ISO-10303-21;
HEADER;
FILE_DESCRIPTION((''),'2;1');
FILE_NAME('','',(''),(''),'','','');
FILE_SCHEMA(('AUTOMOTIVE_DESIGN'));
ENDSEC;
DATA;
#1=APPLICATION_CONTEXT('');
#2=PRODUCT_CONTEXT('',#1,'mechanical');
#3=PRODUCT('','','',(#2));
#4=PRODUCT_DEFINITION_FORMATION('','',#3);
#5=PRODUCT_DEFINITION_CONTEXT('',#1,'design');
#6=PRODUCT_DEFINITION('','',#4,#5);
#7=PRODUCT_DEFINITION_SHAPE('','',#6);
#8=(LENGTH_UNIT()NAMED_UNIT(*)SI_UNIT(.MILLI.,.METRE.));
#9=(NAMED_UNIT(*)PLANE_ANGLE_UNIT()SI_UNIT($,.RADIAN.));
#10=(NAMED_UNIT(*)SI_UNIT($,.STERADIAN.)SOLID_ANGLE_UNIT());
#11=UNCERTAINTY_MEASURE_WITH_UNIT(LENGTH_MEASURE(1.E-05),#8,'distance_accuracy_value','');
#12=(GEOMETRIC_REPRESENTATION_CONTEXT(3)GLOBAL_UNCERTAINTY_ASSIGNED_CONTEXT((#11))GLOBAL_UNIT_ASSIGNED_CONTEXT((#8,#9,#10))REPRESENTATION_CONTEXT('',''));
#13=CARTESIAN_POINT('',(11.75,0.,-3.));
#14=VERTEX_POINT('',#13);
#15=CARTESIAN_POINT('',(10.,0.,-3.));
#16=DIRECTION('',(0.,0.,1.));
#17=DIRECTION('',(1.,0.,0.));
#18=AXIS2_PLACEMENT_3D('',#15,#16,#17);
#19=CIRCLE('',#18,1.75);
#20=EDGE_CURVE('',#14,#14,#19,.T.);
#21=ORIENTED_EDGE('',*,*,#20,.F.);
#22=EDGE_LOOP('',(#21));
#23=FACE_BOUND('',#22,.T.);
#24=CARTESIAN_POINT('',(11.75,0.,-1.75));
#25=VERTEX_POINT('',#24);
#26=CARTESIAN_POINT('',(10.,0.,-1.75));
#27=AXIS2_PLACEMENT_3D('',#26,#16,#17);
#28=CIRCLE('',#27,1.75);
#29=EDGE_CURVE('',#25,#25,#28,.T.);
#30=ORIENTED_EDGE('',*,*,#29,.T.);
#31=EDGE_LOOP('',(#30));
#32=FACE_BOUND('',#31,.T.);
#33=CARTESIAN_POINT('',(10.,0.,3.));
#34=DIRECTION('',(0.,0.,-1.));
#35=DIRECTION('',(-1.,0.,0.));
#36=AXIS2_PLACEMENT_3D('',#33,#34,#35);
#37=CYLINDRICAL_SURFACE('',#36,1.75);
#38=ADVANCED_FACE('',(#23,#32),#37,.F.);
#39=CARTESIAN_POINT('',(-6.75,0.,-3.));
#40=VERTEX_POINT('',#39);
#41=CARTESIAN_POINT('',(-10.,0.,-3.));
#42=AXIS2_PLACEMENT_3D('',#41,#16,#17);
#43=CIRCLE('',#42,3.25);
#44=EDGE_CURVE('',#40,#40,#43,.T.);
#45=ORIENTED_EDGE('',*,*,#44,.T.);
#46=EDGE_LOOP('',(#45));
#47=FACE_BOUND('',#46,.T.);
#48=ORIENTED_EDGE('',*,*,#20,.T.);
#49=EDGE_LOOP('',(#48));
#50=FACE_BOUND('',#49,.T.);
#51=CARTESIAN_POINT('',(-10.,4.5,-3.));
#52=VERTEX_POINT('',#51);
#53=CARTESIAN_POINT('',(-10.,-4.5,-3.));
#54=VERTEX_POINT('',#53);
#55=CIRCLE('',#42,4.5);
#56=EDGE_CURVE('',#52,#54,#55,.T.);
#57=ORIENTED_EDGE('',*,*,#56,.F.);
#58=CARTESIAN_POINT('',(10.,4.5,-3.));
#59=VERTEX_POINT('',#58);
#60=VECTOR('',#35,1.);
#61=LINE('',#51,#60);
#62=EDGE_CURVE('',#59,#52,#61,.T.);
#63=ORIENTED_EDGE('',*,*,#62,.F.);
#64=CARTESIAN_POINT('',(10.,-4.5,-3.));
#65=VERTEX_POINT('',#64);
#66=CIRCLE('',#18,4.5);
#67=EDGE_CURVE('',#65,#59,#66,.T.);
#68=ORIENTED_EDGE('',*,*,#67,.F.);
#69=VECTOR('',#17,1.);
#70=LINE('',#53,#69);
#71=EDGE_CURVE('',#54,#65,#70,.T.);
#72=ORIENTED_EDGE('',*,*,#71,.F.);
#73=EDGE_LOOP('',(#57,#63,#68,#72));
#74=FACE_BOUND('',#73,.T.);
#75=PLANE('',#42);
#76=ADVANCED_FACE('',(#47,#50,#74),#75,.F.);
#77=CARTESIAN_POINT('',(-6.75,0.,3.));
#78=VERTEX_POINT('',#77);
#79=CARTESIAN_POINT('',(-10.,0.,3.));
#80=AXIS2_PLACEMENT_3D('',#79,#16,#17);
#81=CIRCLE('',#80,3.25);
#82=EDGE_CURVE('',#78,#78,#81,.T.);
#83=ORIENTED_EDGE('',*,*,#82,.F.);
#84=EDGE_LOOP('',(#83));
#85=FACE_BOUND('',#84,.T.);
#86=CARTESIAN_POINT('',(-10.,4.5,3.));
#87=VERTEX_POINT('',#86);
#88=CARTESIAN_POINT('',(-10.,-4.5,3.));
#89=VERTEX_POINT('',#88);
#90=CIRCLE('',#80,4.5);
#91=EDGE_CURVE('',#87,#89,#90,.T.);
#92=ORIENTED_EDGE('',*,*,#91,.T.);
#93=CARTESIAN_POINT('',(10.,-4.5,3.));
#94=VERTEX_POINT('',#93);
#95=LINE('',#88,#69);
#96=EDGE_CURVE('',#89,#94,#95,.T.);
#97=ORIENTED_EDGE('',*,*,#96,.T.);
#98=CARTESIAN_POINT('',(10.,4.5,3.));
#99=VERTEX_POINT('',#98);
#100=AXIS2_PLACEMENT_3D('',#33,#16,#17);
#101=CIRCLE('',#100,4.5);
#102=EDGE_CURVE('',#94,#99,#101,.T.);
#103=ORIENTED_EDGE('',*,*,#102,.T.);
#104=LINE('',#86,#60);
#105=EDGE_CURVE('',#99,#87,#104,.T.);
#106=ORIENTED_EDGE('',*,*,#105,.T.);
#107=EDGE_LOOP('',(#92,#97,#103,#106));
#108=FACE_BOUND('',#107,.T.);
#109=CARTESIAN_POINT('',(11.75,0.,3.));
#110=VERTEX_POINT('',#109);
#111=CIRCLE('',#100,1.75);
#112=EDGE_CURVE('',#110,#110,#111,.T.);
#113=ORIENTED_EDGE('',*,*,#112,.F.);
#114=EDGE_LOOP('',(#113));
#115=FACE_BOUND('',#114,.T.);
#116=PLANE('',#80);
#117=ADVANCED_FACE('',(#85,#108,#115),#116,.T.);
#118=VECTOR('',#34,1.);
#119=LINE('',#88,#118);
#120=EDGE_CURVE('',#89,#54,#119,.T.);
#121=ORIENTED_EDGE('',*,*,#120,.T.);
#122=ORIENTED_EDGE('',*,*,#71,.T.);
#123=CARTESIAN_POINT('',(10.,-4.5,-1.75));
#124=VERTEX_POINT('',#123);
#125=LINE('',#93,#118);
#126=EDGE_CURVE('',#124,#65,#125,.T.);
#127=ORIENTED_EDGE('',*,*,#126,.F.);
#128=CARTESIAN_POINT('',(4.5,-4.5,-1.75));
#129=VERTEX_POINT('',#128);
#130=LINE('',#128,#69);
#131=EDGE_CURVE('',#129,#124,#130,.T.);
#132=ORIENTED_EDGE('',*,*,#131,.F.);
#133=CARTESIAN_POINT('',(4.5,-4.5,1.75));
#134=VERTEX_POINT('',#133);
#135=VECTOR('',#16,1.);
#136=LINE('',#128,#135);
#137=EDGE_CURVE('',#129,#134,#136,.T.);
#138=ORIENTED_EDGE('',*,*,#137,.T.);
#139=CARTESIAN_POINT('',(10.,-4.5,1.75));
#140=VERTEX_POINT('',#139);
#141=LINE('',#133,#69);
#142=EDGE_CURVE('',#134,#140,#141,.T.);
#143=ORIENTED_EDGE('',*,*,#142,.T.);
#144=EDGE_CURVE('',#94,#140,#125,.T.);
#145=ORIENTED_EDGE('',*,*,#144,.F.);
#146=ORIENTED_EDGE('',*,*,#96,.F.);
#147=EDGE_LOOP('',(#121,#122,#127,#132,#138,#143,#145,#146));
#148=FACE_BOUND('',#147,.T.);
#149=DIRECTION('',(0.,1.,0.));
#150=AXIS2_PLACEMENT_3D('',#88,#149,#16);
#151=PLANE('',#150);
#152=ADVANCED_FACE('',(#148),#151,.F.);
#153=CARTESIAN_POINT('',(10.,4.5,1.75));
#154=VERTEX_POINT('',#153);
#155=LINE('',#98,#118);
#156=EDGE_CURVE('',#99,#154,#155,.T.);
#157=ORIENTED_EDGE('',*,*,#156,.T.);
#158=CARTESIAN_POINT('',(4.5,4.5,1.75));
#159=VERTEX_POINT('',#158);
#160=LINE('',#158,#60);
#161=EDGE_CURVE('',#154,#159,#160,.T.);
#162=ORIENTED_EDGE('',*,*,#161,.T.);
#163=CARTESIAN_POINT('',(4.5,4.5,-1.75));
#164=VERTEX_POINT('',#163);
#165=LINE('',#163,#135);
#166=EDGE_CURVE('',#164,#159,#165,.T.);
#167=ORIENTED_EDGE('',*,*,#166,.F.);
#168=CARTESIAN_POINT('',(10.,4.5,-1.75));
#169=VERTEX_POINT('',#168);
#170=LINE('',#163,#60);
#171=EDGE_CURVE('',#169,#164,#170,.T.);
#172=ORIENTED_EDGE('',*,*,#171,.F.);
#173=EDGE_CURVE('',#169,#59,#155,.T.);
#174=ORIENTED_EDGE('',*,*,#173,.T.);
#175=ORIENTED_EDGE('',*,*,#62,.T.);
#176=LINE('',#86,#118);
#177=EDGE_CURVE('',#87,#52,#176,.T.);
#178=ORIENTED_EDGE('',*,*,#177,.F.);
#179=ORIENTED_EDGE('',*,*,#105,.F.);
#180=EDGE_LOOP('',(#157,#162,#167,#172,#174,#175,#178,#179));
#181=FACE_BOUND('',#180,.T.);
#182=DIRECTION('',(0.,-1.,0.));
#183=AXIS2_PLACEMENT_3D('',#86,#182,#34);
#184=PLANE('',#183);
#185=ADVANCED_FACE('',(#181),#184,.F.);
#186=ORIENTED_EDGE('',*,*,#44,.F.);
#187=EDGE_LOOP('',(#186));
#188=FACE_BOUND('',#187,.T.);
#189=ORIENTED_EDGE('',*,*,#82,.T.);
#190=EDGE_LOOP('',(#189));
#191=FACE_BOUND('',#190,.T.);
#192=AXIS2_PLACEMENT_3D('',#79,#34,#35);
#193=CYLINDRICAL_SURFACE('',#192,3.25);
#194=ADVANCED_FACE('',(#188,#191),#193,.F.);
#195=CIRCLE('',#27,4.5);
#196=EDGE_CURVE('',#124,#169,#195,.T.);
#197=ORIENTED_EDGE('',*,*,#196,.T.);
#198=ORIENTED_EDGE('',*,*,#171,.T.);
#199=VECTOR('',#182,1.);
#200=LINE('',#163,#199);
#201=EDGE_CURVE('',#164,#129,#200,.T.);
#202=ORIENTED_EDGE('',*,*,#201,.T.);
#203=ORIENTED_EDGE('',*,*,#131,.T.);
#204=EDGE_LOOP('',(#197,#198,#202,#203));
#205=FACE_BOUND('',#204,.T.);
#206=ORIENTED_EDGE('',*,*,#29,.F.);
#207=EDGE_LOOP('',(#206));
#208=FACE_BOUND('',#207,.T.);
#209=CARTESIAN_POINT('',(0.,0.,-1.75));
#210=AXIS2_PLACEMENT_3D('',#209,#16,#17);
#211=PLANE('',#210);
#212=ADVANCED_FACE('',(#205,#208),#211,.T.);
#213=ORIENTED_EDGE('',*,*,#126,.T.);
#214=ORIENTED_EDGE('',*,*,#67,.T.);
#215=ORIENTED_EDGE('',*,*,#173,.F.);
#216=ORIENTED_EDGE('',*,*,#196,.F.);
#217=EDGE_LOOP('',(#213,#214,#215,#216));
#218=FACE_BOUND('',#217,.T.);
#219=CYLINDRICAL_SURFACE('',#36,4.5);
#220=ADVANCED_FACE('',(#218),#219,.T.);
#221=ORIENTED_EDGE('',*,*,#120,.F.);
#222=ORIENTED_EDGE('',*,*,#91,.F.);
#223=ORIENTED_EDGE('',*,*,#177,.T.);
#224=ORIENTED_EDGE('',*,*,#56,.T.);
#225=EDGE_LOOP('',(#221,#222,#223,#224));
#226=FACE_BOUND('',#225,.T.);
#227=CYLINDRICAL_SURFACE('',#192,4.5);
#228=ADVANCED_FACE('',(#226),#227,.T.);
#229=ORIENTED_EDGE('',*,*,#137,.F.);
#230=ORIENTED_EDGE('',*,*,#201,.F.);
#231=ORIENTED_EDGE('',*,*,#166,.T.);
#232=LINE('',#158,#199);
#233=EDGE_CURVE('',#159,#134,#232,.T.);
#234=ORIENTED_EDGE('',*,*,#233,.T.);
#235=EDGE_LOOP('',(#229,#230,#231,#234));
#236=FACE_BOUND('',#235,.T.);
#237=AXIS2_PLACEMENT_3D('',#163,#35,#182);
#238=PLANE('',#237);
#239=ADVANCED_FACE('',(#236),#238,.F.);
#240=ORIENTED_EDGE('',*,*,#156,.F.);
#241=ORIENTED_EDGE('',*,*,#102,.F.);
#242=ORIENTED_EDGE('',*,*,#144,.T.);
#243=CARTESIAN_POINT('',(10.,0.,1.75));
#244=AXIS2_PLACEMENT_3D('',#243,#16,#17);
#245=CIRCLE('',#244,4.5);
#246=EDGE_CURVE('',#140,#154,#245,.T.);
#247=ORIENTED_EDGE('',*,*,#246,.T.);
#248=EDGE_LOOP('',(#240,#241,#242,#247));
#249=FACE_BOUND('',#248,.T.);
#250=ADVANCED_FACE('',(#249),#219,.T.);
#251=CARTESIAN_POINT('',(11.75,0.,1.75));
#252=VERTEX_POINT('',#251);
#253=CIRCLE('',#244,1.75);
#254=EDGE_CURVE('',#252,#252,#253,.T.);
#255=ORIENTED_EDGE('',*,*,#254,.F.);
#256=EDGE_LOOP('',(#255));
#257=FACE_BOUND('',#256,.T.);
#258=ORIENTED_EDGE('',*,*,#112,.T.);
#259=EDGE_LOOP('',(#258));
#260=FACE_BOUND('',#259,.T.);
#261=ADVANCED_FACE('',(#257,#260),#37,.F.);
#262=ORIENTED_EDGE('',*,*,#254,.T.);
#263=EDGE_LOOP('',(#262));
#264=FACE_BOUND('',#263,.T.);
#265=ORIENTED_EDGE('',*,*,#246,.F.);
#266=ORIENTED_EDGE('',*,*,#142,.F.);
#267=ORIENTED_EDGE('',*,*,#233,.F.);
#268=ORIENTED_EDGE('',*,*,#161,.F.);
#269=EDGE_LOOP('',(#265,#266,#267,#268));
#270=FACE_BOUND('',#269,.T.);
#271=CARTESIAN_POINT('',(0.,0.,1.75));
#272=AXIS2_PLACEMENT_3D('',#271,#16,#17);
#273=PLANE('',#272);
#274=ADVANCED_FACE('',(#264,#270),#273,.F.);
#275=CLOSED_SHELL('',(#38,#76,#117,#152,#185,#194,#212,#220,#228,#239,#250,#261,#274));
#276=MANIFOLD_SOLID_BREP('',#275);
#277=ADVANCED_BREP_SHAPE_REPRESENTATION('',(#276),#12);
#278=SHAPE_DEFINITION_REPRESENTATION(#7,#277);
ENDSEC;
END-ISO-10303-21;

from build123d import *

# Parameters (mm, degrees)
SKETCH1_R           = 3.25
SKETCH1_R_2         = 1.75
BOSS_EXTRUDE1_DEPTH = 3
SKETCH5_W           = 10
SKETCH5_H           = 9
CUT_EXTRUDE1_DEPTH  = 1.75


with BuildPart() as part:
    # Sketch1 → Boss-Extrude1 (new, symmetric)
    with BuildSketch(Plane.XY):
        with BuildLine():
            Line((-10, 4.5), (10, 4.5))
            ThreePointArc((10, 4.5), (14.5, 0), (10, -4.5))
            Line((10, -4.5), (-10, -4.5))
            ThreePointArc((-10, -4.5), (-14.5, 0), (-10, 4.5))
        make_face()
        with Locations((-10, 0)):
            Circle(SKETCH1_R, mode=Mode.SUBTRACT)
        with Locations((10, 0)):
            Circle(SKETCH1_R_2, mode=Mode.SUBTRACT)
    extrude(amount=BOSS_EXTRUDE1_DEPTH, both=True)

    # Sketch5 → Cut-Extrude1 (cut, symmetric)
    with BuildSketch(Plane.XY):
        with Locations((9.5, 0)):
            Rectangle(SKETCH5_W, SKETCH5_H)
    extrude(amount=CUT_EXTRUDE1_DEPTH, both=True, mode=Mode.SUBTRACT)


solid = part.part
